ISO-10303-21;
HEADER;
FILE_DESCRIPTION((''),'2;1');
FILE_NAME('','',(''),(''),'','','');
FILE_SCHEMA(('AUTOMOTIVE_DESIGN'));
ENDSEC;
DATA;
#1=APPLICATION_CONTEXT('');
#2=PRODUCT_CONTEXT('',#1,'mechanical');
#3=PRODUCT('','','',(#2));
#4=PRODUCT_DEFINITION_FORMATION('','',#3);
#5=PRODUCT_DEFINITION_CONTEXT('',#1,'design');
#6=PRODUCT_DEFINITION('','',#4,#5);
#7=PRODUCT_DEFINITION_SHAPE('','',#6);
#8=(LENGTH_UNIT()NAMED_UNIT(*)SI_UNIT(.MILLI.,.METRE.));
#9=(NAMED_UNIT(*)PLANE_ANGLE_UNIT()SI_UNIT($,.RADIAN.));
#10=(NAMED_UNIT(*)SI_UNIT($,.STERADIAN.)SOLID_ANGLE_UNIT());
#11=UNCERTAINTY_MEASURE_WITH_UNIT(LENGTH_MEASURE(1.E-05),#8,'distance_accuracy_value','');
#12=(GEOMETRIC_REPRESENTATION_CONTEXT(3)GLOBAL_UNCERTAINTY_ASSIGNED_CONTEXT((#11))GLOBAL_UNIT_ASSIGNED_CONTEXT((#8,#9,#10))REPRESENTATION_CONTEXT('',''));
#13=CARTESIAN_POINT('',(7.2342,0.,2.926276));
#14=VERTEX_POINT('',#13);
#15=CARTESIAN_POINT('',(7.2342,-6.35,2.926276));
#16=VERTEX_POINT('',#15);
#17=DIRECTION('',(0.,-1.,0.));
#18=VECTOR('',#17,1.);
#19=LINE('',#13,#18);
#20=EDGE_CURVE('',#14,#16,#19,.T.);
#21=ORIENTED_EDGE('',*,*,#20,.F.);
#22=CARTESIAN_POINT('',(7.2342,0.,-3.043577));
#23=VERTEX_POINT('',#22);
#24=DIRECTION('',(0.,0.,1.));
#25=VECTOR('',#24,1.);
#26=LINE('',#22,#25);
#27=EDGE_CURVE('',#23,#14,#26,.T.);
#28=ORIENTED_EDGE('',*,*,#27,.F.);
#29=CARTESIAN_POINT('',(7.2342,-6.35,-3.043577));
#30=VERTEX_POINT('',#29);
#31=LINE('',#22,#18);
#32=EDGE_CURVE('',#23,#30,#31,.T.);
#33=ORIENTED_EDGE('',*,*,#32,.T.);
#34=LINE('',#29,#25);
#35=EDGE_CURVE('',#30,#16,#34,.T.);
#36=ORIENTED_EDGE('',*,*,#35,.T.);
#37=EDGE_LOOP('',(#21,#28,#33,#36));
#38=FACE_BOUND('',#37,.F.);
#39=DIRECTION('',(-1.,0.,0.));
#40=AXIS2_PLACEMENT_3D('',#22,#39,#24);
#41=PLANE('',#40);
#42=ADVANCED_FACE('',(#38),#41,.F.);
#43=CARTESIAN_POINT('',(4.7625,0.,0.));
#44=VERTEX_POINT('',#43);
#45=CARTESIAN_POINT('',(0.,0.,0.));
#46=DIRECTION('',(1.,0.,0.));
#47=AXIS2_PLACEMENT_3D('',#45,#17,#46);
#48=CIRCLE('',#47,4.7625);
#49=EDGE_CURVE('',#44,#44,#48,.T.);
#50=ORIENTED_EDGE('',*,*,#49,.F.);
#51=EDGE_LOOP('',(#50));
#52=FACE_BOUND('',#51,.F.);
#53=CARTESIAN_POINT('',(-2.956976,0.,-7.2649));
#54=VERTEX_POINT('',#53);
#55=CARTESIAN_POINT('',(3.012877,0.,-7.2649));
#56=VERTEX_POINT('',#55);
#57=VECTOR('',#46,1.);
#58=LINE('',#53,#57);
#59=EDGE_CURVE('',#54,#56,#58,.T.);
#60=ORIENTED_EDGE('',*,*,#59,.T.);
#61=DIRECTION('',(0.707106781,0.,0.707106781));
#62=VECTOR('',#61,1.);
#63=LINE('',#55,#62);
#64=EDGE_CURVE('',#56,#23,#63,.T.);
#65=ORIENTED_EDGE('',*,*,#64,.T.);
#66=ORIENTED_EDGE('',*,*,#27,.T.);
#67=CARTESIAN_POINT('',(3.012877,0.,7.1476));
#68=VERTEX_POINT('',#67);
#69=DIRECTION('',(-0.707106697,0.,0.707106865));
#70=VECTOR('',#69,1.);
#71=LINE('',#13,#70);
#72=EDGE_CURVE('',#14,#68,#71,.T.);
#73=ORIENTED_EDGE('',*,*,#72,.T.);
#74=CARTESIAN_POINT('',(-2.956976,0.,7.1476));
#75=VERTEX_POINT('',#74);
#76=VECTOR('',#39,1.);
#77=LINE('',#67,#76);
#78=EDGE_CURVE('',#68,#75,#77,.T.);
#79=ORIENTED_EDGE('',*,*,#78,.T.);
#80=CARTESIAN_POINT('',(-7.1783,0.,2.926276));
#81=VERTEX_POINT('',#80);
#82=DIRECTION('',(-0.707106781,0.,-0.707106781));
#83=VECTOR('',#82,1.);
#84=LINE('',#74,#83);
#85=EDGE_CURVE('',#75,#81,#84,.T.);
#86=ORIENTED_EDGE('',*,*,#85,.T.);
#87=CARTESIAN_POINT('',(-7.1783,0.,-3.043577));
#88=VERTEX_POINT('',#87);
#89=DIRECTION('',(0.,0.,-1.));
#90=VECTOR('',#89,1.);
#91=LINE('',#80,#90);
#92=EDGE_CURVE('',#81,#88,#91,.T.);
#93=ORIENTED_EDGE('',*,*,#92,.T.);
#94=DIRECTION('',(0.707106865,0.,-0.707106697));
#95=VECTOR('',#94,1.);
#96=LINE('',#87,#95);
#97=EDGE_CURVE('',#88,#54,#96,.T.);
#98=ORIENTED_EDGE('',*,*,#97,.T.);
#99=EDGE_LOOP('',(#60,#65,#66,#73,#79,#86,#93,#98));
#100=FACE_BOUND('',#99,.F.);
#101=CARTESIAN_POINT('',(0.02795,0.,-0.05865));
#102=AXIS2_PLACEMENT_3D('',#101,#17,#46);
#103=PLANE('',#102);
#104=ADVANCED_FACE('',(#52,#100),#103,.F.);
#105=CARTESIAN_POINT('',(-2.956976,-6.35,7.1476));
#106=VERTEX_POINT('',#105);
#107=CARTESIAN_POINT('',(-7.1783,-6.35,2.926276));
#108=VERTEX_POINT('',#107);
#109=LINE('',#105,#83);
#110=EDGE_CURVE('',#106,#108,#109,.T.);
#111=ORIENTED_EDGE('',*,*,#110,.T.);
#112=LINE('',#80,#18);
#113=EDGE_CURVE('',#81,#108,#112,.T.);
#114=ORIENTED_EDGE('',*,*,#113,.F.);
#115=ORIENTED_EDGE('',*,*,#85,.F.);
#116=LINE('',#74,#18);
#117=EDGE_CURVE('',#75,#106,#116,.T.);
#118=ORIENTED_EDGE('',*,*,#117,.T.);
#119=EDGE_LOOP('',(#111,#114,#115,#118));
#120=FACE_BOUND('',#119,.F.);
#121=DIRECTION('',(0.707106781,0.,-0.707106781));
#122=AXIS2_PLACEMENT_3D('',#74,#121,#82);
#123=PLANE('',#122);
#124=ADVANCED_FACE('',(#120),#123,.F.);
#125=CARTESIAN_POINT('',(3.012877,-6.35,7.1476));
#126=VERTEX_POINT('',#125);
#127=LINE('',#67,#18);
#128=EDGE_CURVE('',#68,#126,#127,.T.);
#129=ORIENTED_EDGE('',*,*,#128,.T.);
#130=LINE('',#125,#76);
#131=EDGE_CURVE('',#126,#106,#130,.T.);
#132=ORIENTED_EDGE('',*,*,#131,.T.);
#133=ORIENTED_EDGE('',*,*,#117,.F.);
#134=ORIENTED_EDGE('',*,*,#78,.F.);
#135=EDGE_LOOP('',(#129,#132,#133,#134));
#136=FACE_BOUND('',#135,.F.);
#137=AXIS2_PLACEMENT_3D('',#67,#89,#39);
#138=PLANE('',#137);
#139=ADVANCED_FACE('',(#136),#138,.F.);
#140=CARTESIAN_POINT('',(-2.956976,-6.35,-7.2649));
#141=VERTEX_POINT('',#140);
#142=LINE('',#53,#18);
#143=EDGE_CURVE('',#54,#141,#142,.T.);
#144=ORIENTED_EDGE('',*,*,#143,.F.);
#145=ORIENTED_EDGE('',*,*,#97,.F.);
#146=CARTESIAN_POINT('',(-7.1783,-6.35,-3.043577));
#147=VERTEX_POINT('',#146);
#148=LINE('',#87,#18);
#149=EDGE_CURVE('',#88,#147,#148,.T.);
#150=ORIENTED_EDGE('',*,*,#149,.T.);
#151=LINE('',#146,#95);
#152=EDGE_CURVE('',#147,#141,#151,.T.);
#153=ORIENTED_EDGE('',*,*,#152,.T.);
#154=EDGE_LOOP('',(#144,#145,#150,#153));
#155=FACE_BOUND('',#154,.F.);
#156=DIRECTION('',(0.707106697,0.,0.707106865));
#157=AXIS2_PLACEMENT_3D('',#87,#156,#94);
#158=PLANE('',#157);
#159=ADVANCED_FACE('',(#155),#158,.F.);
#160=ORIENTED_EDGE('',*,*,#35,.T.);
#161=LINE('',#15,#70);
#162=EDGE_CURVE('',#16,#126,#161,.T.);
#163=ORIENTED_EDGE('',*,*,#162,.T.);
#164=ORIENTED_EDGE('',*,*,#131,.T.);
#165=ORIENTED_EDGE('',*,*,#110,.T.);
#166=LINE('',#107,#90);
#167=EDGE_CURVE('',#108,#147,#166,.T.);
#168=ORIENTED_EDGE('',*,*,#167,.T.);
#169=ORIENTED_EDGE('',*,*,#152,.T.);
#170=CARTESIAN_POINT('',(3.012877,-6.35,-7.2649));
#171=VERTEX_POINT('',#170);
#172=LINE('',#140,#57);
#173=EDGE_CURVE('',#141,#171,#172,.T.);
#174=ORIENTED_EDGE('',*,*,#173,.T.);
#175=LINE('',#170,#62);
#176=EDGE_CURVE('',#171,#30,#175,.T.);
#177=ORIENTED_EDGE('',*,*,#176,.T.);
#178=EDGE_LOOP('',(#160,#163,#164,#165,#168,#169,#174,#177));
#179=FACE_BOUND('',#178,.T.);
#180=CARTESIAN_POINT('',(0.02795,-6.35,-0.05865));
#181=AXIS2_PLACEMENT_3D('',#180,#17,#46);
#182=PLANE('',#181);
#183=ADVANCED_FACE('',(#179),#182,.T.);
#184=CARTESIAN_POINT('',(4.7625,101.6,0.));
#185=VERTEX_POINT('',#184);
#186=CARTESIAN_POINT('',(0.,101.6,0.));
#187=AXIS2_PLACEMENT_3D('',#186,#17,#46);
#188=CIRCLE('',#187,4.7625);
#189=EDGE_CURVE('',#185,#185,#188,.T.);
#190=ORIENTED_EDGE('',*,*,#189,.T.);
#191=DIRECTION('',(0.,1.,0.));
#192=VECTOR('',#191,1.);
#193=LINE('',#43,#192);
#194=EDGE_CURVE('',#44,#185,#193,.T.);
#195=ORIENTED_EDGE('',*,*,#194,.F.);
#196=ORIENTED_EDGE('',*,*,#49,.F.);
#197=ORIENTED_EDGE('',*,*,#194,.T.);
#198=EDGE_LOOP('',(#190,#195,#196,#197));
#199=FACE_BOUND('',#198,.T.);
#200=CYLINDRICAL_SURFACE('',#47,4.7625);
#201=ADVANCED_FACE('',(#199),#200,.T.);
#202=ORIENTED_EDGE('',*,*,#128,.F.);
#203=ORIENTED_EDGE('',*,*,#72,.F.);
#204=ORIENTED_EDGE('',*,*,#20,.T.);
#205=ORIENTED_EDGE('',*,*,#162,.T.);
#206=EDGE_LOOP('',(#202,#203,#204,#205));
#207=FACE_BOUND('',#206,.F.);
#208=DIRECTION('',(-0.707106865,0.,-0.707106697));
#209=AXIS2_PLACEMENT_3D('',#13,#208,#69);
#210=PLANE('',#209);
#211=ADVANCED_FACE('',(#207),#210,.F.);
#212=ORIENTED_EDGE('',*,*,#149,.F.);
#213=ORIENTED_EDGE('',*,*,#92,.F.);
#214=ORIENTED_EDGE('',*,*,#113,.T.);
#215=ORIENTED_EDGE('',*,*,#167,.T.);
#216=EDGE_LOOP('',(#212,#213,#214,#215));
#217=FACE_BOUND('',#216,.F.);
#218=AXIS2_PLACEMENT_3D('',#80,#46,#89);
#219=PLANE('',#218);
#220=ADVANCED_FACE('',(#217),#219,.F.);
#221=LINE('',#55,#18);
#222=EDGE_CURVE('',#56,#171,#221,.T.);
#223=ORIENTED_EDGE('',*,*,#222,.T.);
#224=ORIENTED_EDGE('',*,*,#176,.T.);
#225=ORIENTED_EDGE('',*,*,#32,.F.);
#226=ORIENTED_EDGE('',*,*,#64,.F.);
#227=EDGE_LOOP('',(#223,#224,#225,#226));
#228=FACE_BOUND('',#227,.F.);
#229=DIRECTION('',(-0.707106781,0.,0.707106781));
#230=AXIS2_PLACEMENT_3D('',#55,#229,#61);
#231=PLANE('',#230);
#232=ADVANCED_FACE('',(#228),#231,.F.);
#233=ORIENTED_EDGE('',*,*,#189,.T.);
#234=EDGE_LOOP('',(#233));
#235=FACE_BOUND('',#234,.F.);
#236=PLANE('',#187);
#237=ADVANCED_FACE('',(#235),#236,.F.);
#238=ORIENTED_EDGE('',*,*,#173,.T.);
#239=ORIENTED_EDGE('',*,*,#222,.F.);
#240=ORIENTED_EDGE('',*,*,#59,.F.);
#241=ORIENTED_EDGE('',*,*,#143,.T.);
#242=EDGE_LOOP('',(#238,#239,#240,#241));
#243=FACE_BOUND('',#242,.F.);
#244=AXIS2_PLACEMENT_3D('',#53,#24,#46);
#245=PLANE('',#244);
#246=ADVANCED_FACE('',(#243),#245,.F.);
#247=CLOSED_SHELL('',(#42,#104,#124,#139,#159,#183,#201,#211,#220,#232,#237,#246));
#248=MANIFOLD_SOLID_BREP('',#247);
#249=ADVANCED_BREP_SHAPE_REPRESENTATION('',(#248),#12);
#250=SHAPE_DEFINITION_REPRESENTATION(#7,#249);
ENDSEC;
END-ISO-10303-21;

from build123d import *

# Parameters (mm, degrees)
F0_R     = 4.7625
F1_DEPTH = 101.6
F3_DEPTH = 6.35


with BuildPart() as f1:
    # F0 (on Front) → F1 (new body)
    with BuildSketch(Plane.XZ):
        Circle(F0_R)
    extrude(amount=-F1_DEPTH)

    # F2 (on Front) → F3 (join)
    with BuildSketch(Plane.XZ):
        Polygon((-2.956976, -7.2649), (3.012877, -7.2649), (7.2342, -3.043577), (7.2342, 2.926276), (3.012877, 7.1476), (-2.956976, 7.1476), (-7.1783, 2.926276), (-7.1783, -3.043577), align=None)
    extrude(amount=F3_DEPTH)


solid = f1.part
